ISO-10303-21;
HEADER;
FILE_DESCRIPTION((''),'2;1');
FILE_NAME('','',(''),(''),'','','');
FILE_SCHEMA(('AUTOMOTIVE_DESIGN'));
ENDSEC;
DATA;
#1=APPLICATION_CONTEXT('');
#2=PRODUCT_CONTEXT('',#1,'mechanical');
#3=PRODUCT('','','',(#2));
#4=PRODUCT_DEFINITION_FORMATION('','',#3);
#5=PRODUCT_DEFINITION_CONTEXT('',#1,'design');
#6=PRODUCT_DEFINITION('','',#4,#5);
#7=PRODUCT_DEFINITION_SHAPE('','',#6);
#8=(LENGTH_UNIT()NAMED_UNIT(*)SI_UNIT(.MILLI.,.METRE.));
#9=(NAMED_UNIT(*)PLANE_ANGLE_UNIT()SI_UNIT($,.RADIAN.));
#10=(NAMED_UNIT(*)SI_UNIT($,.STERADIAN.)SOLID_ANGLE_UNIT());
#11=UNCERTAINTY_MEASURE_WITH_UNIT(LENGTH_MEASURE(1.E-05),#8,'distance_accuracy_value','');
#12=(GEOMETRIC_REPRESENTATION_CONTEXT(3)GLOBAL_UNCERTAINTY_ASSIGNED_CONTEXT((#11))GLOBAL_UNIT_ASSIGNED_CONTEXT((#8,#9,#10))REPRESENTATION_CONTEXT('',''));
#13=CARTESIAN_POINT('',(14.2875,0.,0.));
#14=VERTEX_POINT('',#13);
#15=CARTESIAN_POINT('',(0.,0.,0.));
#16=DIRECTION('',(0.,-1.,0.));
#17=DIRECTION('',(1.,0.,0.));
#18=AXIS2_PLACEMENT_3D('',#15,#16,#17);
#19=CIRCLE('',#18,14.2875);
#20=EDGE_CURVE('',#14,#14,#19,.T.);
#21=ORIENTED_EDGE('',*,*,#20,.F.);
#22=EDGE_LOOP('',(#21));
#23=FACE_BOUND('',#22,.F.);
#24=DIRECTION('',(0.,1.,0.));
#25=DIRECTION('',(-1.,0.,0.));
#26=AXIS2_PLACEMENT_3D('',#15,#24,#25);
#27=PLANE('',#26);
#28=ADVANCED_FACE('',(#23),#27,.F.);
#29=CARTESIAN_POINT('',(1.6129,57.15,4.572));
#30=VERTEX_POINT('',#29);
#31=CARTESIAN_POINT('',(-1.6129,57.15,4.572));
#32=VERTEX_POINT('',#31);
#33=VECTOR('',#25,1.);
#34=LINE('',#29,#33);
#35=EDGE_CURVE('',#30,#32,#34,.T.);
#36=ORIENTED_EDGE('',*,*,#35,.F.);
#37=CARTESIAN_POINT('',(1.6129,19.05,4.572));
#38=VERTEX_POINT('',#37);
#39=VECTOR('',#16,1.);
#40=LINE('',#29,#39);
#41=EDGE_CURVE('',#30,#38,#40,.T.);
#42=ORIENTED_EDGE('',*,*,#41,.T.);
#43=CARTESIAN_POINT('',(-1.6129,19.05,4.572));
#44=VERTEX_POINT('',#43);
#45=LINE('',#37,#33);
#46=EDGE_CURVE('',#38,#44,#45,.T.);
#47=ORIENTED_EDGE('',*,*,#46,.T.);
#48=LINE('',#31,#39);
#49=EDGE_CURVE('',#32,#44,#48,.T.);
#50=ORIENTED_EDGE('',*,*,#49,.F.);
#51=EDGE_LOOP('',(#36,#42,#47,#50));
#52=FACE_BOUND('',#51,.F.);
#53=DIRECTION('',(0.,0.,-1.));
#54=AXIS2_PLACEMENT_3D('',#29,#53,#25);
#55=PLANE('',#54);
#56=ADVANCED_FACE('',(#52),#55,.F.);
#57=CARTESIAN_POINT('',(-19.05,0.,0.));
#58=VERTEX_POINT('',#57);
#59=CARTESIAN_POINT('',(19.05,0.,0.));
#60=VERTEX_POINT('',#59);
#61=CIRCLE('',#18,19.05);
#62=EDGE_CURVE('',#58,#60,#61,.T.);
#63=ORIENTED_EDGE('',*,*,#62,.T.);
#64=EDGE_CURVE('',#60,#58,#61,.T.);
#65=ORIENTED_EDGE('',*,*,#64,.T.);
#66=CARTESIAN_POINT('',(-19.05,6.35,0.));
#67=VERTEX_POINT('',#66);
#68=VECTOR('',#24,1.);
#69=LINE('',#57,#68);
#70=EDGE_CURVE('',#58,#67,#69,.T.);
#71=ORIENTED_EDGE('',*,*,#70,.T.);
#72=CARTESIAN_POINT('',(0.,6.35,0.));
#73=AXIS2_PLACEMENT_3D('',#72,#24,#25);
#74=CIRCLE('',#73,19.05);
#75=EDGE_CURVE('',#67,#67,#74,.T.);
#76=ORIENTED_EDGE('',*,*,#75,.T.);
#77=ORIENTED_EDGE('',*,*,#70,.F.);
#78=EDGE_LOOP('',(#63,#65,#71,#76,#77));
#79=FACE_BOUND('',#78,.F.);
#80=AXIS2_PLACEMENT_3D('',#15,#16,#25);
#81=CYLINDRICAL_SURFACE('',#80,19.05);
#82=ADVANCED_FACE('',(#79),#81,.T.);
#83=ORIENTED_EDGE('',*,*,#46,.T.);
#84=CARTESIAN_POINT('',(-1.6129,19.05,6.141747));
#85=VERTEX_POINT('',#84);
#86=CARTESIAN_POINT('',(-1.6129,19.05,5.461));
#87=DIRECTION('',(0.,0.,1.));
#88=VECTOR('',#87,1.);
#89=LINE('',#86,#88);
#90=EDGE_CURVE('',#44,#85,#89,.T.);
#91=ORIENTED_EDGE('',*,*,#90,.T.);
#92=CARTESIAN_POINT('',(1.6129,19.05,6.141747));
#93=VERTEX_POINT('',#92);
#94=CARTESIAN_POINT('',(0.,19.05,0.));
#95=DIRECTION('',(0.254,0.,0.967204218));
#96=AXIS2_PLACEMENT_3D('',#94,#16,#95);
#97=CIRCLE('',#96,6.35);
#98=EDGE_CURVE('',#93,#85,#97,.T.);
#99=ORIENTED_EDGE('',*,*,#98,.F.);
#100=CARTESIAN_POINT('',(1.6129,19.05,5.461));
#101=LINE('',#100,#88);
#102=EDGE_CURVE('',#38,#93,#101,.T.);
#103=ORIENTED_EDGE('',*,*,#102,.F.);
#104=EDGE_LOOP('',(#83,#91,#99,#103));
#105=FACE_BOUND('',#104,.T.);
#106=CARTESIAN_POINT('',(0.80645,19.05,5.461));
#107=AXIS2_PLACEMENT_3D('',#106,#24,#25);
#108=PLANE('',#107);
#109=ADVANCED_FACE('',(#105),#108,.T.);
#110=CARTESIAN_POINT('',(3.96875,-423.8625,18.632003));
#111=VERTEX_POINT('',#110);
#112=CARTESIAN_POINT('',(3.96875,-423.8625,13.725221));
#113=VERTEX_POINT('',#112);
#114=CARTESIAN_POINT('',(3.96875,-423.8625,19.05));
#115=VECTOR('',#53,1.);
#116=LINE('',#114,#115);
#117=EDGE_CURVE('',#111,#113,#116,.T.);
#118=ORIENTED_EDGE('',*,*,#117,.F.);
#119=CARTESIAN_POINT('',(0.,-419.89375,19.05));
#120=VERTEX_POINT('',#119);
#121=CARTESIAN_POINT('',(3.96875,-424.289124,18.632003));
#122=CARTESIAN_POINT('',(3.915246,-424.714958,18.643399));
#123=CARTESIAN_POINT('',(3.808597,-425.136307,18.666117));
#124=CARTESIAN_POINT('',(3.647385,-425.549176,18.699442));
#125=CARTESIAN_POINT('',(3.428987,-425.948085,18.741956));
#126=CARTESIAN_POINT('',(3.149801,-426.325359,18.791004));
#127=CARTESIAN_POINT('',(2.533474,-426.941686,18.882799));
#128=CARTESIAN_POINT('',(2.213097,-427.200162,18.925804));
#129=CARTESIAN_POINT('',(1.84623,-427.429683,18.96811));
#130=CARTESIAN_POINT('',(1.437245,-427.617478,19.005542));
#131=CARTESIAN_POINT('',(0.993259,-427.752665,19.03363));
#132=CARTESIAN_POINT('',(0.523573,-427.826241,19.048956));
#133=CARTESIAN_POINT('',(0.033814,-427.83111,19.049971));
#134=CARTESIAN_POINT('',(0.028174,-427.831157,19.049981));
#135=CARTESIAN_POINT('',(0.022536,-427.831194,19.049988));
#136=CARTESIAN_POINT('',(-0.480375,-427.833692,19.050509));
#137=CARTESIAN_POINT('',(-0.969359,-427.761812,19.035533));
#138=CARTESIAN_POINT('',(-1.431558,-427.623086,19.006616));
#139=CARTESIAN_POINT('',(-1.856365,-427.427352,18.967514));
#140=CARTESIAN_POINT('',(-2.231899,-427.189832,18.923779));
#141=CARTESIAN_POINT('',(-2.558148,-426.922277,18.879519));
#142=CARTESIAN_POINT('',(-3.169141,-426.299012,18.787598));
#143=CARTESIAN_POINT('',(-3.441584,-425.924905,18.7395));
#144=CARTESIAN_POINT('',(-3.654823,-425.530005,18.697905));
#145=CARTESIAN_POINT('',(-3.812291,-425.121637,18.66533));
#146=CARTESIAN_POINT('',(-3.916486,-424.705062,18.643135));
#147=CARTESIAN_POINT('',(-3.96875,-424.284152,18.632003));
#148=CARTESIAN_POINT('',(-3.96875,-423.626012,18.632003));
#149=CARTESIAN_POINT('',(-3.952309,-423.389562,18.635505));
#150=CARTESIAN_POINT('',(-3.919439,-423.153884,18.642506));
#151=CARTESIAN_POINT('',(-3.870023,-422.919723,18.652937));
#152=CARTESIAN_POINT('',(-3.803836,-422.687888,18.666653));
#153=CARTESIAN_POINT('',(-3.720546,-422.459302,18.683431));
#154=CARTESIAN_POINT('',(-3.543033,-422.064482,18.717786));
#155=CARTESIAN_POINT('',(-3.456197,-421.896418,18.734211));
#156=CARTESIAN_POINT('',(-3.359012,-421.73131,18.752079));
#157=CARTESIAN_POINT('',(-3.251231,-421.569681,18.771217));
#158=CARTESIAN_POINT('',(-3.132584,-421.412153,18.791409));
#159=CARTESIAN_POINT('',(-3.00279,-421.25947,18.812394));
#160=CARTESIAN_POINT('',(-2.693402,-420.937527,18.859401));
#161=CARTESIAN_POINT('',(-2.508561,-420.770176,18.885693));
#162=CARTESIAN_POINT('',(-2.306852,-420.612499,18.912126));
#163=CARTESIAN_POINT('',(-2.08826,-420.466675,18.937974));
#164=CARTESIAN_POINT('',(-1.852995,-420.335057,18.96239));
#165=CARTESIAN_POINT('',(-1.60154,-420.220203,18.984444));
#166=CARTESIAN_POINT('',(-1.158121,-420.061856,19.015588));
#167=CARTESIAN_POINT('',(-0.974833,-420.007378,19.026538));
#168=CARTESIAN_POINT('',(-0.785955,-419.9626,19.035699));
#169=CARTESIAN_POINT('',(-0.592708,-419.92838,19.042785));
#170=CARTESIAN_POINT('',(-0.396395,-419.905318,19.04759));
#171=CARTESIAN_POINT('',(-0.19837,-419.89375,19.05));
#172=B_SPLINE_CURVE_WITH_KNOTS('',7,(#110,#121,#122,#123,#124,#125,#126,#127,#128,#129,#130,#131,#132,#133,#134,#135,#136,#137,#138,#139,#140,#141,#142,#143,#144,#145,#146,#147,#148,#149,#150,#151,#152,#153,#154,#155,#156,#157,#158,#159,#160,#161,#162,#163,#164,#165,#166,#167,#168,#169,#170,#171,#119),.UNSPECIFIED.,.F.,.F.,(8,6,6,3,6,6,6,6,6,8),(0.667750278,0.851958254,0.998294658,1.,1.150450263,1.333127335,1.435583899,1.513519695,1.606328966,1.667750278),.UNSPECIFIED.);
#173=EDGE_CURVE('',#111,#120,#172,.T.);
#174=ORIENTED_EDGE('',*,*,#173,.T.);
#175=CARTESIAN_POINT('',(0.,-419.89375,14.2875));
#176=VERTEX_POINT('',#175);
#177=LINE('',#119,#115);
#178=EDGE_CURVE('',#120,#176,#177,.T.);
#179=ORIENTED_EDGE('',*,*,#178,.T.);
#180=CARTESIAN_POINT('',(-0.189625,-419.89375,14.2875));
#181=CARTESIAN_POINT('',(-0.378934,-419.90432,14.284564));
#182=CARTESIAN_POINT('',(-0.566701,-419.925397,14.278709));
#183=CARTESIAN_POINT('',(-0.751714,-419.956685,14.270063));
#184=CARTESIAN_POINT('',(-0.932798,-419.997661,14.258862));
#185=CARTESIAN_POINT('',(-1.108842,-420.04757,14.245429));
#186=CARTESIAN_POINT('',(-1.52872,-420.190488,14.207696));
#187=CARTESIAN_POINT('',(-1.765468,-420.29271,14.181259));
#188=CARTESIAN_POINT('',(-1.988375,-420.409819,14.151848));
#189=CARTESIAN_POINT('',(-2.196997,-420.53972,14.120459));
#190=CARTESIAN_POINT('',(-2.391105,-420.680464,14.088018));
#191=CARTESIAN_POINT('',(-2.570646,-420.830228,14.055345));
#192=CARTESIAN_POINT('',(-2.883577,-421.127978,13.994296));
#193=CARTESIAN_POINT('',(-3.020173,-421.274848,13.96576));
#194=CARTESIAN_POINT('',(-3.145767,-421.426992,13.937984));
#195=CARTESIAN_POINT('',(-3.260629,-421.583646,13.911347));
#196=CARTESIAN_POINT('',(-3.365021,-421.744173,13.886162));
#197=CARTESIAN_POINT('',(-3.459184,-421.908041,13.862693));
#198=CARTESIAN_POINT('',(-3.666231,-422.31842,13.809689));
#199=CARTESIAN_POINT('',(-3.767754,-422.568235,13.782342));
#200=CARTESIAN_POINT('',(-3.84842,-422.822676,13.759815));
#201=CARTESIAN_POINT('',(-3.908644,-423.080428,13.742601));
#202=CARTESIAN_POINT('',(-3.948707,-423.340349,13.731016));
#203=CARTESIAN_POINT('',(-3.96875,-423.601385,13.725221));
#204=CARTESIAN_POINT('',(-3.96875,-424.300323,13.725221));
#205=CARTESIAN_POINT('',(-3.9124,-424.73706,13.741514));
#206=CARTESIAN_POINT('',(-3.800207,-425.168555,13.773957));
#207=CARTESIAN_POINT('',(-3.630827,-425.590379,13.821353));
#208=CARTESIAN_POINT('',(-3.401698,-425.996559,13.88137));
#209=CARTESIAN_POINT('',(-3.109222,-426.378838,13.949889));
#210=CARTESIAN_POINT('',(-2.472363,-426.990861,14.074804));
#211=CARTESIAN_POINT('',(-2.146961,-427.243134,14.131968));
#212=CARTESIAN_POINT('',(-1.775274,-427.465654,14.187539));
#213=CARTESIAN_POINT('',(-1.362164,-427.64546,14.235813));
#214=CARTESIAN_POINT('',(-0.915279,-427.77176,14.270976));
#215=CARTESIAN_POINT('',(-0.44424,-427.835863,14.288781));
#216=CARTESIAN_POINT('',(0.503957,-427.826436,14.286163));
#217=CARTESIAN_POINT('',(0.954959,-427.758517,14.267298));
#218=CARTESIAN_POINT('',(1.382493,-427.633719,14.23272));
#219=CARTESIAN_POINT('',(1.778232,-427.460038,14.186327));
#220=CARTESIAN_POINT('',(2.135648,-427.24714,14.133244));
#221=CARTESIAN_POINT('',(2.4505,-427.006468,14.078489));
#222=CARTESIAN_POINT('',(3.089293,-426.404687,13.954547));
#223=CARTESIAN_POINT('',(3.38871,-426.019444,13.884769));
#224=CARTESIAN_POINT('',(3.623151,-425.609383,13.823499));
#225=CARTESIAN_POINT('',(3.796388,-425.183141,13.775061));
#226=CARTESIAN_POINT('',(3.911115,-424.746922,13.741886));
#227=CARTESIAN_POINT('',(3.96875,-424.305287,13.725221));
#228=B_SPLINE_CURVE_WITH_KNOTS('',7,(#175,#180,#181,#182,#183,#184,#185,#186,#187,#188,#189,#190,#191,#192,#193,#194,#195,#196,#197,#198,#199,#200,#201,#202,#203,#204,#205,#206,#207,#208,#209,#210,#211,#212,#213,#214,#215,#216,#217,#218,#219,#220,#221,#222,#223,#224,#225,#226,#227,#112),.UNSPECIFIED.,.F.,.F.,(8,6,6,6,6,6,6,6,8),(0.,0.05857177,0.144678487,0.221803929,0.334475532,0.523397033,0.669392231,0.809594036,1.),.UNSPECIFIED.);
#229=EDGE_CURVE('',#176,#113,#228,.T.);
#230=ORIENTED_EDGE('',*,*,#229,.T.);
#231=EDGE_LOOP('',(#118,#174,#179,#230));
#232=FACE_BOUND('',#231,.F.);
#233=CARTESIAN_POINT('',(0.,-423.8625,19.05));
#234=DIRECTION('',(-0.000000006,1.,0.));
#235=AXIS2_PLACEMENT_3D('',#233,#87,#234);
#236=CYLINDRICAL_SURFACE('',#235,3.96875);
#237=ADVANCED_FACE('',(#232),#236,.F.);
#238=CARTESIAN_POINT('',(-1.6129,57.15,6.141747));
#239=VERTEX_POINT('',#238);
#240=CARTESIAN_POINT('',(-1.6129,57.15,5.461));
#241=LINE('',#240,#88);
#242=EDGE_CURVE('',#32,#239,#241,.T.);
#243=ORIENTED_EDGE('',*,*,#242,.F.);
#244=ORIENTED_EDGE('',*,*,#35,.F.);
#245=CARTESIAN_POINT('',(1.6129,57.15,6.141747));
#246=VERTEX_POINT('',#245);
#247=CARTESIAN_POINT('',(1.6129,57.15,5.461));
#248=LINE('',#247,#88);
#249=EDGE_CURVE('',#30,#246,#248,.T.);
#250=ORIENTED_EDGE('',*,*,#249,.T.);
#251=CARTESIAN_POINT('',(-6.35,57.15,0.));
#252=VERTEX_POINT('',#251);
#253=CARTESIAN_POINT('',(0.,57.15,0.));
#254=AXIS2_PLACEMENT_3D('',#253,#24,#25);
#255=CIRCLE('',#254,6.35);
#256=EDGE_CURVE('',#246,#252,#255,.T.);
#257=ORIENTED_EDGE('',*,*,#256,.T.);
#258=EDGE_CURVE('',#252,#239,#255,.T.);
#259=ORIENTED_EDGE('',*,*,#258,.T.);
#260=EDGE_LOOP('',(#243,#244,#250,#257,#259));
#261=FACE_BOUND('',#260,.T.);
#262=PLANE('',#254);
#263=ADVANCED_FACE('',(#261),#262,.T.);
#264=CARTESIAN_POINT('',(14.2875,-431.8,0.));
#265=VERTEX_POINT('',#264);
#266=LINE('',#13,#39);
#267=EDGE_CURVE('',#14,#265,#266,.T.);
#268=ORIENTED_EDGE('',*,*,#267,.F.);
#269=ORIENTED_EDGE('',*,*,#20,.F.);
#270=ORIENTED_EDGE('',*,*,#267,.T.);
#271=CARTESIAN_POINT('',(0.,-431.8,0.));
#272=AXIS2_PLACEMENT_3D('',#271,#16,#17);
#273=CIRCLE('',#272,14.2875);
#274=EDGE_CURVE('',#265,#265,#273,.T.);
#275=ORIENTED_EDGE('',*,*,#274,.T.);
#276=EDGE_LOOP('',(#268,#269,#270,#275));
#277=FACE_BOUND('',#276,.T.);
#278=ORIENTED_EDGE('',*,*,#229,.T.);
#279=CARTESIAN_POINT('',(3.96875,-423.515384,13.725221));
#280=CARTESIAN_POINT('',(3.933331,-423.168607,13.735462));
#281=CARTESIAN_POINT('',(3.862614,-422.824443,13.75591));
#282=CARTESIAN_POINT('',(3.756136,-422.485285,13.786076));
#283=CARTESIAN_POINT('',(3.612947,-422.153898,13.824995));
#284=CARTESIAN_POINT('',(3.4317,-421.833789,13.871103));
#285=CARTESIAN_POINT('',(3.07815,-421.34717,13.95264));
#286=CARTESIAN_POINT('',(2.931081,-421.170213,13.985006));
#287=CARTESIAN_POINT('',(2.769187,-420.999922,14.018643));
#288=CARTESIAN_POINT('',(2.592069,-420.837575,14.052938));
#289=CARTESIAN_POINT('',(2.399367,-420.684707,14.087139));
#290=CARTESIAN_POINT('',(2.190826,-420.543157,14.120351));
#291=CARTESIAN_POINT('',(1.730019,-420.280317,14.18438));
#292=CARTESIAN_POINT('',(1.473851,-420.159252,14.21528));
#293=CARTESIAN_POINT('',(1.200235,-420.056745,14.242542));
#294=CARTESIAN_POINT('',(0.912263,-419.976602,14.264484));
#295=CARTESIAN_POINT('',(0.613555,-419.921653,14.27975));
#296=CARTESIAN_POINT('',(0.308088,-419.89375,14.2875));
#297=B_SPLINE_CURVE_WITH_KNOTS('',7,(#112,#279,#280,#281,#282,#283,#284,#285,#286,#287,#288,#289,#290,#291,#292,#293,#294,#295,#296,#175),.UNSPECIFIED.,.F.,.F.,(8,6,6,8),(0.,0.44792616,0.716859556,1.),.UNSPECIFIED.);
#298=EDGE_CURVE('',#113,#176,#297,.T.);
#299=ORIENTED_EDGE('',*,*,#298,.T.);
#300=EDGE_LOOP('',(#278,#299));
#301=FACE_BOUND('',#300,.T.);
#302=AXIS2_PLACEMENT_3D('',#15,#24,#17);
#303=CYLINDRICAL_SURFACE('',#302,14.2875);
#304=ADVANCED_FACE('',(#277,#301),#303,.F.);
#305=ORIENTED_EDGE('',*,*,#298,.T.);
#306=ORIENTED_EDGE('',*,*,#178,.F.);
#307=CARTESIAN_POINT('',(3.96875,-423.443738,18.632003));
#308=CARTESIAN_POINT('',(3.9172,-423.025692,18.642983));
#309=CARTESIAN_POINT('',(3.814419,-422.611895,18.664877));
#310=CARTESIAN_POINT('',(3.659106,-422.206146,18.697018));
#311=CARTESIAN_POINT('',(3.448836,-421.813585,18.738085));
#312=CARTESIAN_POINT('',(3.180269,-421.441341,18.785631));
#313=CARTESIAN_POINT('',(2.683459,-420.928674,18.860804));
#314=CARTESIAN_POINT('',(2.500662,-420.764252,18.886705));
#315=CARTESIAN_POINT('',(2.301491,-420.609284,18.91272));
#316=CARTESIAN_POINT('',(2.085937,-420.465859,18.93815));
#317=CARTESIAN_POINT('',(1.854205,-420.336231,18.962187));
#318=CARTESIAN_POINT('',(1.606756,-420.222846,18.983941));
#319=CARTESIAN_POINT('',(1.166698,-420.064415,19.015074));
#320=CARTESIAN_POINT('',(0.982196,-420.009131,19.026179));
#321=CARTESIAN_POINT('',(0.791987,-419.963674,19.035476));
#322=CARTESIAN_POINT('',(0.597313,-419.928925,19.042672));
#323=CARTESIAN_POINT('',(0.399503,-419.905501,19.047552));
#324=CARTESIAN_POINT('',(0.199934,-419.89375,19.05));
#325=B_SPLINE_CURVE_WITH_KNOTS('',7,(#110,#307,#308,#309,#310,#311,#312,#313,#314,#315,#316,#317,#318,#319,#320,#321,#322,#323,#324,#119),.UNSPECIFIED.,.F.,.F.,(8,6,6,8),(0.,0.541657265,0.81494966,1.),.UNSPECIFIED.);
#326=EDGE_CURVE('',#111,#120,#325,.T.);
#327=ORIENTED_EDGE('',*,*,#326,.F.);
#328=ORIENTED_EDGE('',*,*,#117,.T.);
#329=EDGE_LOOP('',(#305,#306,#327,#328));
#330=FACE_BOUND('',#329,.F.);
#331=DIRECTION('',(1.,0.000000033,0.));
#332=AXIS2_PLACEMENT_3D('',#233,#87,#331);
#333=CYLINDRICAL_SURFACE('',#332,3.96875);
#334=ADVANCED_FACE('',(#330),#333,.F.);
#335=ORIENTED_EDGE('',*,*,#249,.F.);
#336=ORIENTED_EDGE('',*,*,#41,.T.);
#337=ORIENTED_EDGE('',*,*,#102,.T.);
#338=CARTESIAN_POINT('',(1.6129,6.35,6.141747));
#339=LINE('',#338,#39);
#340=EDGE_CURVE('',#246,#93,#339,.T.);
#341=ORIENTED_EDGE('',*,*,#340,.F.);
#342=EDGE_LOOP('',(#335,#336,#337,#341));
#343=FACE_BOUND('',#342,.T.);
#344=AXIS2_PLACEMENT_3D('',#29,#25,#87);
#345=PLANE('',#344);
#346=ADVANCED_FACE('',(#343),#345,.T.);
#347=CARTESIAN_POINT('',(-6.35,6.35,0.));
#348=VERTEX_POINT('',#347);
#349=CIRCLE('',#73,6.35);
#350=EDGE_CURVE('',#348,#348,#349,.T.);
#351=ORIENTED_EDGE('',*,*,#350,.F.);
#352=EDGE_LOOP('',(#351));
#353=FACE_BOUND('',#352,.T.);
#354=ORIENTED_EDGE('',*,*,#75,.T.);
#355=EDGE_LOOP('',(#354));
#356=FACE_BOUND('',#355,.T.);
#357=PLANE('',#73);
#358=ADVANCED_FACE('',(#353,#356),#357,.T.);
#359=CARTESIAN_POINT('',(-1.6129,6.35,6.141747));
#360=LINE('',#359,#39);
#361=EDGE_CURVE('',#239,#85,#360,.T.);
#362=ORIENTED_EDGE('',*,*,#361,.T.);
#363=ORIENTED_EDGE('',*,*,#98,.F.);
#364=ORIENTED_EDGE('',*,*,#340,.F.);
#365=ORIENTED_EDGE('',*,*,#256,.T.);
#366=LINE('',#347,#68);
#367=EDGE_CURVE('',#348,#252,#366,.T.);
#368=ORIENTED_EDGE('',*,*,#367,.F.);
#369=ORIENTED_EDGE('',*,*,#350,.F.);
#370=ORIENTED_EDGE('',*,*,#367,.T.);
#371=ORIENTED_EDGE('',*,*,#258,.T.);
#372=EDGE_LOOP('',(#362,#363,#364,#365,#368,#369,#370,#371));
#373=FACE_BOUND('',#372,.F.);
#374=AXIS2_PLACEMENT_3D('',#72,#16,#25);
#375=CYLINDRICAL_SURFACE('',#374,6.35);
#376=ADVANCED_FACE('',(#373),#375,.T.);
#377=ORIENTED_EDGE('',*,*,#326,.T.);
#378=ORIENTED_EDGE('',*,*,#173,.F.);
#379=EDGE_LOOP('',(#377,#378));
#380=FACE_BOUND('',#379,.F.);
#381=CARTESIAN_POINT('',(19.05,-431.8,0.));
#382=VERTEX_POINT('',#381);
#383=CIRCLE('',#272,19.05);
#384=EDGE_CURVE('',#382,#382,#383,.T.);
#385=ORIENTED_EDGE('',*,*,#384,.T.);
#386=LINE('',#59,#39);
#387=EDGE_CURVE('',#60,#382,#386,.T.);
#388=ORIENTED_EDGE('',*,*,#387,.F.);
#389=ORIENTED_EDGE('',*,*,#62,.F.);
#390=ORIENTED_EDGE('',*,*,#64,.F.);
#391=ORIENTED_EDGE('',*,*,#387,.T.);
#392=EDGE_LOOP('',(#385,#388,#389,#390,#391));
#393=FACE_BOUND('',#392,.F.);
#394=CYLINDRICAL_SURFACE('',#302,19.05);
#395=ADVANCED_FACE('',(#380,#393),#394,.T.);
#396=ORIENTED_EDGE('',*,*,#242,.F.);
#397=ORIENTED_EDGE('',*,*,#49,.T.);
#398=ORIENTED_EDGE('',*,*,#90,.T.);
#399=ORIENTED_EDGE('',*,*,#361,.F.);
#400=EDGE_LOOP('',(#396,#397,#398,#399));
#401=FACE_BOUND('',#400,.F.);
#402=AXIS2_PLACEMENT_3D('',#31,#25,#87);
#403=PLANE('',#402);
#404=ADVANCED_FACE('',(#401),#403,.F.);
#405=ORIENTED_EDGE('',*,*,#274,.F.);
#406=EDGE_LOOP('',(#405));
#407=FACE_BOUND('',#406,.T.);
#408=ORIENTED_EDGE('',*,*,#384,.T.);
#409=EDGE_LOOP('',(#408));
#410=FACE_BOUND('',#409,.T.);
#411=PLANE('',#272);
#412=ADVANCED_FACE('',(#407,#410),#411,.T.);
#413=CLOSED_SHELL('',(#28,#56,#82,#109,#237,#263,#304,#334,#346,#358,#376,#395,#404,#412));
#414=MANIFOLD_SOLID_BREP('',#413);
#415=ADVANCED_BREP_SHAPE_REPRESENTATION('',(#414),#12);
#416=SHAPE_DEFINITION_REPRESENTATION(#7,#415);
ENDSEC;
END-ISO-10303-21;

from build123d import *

# Parameters (mm, degrees)
F0_R      = 19.05
F0_R_2    = 14.2875
F1_DEPTH  = 431.8
F2_R      = 19.05
F3_DEPTH  = 6.35
F4_R      = 6.35
F5_DEPTH  = 50.8
F6_W      = 1.6129
F6_H      = 1.778
F7_DEPTH  = 38.1
F10_DEPTH = 9.525


with BuildPart() as f1:
    # F0 (on Front) → F1 (new body)
    with BuildSketch(Plane.XZ):
        Circle(F0_R)
        Circle(F0_R_2, mode=Mode.SUBTRACT)
    extrude(amount=F1_DEPTH)

    # F2 (on face) → F3 (join)
    with BuildSketch(Plane(origin=(0, 0, 0), x_dir=(-1, 0, 0), z_dir=(0, 1, 0))):
        Circle(F2_R)
    extrude(amount=F3_DEPTH)

    # F4 (on face) → F5 (join)
    with BuildSketch(Plane(origin=(0, 6.35, 0), x_dir=(-1, 0, 0), z_dir=(0, 1, 0))):
        Circle(F4_R)
    extrude(amount=F5_DEPTH)

    # F6 (on face) → F7 (cut)
    with BuildSketch(Plane(origin=(0, 57.15, 0), x_dir=(-1, 0, 0), z_dir=(0, 1, 0))):
        with Locations((-0.80645, 5.461)):
            Rectangle(F6_W, F6_H)
        with Locations((0.80645, 5.461)):
            Rectangle(F6_W, F6_H)
    extrude(amount=-F7_DEPTH, mode=Mode.SUBTRACT)

    # F9 (on offset) → F10 (cut)
    with BuildSketch(Plane.XY.offset(19.05)):
        with BuildLine():
            ThreePointArc((0, -419.89375), (-2.80633, -426.66883), (3.96875, -423.8625))
            ThreePointArc((3.96875, -423.8625), (2.80633, -421.05617), (0, -419.89375))
        make_face()
    extrude(amount=-F10_DEPTH, mode=Mode.SUBTRACT)


solid = f1.part
